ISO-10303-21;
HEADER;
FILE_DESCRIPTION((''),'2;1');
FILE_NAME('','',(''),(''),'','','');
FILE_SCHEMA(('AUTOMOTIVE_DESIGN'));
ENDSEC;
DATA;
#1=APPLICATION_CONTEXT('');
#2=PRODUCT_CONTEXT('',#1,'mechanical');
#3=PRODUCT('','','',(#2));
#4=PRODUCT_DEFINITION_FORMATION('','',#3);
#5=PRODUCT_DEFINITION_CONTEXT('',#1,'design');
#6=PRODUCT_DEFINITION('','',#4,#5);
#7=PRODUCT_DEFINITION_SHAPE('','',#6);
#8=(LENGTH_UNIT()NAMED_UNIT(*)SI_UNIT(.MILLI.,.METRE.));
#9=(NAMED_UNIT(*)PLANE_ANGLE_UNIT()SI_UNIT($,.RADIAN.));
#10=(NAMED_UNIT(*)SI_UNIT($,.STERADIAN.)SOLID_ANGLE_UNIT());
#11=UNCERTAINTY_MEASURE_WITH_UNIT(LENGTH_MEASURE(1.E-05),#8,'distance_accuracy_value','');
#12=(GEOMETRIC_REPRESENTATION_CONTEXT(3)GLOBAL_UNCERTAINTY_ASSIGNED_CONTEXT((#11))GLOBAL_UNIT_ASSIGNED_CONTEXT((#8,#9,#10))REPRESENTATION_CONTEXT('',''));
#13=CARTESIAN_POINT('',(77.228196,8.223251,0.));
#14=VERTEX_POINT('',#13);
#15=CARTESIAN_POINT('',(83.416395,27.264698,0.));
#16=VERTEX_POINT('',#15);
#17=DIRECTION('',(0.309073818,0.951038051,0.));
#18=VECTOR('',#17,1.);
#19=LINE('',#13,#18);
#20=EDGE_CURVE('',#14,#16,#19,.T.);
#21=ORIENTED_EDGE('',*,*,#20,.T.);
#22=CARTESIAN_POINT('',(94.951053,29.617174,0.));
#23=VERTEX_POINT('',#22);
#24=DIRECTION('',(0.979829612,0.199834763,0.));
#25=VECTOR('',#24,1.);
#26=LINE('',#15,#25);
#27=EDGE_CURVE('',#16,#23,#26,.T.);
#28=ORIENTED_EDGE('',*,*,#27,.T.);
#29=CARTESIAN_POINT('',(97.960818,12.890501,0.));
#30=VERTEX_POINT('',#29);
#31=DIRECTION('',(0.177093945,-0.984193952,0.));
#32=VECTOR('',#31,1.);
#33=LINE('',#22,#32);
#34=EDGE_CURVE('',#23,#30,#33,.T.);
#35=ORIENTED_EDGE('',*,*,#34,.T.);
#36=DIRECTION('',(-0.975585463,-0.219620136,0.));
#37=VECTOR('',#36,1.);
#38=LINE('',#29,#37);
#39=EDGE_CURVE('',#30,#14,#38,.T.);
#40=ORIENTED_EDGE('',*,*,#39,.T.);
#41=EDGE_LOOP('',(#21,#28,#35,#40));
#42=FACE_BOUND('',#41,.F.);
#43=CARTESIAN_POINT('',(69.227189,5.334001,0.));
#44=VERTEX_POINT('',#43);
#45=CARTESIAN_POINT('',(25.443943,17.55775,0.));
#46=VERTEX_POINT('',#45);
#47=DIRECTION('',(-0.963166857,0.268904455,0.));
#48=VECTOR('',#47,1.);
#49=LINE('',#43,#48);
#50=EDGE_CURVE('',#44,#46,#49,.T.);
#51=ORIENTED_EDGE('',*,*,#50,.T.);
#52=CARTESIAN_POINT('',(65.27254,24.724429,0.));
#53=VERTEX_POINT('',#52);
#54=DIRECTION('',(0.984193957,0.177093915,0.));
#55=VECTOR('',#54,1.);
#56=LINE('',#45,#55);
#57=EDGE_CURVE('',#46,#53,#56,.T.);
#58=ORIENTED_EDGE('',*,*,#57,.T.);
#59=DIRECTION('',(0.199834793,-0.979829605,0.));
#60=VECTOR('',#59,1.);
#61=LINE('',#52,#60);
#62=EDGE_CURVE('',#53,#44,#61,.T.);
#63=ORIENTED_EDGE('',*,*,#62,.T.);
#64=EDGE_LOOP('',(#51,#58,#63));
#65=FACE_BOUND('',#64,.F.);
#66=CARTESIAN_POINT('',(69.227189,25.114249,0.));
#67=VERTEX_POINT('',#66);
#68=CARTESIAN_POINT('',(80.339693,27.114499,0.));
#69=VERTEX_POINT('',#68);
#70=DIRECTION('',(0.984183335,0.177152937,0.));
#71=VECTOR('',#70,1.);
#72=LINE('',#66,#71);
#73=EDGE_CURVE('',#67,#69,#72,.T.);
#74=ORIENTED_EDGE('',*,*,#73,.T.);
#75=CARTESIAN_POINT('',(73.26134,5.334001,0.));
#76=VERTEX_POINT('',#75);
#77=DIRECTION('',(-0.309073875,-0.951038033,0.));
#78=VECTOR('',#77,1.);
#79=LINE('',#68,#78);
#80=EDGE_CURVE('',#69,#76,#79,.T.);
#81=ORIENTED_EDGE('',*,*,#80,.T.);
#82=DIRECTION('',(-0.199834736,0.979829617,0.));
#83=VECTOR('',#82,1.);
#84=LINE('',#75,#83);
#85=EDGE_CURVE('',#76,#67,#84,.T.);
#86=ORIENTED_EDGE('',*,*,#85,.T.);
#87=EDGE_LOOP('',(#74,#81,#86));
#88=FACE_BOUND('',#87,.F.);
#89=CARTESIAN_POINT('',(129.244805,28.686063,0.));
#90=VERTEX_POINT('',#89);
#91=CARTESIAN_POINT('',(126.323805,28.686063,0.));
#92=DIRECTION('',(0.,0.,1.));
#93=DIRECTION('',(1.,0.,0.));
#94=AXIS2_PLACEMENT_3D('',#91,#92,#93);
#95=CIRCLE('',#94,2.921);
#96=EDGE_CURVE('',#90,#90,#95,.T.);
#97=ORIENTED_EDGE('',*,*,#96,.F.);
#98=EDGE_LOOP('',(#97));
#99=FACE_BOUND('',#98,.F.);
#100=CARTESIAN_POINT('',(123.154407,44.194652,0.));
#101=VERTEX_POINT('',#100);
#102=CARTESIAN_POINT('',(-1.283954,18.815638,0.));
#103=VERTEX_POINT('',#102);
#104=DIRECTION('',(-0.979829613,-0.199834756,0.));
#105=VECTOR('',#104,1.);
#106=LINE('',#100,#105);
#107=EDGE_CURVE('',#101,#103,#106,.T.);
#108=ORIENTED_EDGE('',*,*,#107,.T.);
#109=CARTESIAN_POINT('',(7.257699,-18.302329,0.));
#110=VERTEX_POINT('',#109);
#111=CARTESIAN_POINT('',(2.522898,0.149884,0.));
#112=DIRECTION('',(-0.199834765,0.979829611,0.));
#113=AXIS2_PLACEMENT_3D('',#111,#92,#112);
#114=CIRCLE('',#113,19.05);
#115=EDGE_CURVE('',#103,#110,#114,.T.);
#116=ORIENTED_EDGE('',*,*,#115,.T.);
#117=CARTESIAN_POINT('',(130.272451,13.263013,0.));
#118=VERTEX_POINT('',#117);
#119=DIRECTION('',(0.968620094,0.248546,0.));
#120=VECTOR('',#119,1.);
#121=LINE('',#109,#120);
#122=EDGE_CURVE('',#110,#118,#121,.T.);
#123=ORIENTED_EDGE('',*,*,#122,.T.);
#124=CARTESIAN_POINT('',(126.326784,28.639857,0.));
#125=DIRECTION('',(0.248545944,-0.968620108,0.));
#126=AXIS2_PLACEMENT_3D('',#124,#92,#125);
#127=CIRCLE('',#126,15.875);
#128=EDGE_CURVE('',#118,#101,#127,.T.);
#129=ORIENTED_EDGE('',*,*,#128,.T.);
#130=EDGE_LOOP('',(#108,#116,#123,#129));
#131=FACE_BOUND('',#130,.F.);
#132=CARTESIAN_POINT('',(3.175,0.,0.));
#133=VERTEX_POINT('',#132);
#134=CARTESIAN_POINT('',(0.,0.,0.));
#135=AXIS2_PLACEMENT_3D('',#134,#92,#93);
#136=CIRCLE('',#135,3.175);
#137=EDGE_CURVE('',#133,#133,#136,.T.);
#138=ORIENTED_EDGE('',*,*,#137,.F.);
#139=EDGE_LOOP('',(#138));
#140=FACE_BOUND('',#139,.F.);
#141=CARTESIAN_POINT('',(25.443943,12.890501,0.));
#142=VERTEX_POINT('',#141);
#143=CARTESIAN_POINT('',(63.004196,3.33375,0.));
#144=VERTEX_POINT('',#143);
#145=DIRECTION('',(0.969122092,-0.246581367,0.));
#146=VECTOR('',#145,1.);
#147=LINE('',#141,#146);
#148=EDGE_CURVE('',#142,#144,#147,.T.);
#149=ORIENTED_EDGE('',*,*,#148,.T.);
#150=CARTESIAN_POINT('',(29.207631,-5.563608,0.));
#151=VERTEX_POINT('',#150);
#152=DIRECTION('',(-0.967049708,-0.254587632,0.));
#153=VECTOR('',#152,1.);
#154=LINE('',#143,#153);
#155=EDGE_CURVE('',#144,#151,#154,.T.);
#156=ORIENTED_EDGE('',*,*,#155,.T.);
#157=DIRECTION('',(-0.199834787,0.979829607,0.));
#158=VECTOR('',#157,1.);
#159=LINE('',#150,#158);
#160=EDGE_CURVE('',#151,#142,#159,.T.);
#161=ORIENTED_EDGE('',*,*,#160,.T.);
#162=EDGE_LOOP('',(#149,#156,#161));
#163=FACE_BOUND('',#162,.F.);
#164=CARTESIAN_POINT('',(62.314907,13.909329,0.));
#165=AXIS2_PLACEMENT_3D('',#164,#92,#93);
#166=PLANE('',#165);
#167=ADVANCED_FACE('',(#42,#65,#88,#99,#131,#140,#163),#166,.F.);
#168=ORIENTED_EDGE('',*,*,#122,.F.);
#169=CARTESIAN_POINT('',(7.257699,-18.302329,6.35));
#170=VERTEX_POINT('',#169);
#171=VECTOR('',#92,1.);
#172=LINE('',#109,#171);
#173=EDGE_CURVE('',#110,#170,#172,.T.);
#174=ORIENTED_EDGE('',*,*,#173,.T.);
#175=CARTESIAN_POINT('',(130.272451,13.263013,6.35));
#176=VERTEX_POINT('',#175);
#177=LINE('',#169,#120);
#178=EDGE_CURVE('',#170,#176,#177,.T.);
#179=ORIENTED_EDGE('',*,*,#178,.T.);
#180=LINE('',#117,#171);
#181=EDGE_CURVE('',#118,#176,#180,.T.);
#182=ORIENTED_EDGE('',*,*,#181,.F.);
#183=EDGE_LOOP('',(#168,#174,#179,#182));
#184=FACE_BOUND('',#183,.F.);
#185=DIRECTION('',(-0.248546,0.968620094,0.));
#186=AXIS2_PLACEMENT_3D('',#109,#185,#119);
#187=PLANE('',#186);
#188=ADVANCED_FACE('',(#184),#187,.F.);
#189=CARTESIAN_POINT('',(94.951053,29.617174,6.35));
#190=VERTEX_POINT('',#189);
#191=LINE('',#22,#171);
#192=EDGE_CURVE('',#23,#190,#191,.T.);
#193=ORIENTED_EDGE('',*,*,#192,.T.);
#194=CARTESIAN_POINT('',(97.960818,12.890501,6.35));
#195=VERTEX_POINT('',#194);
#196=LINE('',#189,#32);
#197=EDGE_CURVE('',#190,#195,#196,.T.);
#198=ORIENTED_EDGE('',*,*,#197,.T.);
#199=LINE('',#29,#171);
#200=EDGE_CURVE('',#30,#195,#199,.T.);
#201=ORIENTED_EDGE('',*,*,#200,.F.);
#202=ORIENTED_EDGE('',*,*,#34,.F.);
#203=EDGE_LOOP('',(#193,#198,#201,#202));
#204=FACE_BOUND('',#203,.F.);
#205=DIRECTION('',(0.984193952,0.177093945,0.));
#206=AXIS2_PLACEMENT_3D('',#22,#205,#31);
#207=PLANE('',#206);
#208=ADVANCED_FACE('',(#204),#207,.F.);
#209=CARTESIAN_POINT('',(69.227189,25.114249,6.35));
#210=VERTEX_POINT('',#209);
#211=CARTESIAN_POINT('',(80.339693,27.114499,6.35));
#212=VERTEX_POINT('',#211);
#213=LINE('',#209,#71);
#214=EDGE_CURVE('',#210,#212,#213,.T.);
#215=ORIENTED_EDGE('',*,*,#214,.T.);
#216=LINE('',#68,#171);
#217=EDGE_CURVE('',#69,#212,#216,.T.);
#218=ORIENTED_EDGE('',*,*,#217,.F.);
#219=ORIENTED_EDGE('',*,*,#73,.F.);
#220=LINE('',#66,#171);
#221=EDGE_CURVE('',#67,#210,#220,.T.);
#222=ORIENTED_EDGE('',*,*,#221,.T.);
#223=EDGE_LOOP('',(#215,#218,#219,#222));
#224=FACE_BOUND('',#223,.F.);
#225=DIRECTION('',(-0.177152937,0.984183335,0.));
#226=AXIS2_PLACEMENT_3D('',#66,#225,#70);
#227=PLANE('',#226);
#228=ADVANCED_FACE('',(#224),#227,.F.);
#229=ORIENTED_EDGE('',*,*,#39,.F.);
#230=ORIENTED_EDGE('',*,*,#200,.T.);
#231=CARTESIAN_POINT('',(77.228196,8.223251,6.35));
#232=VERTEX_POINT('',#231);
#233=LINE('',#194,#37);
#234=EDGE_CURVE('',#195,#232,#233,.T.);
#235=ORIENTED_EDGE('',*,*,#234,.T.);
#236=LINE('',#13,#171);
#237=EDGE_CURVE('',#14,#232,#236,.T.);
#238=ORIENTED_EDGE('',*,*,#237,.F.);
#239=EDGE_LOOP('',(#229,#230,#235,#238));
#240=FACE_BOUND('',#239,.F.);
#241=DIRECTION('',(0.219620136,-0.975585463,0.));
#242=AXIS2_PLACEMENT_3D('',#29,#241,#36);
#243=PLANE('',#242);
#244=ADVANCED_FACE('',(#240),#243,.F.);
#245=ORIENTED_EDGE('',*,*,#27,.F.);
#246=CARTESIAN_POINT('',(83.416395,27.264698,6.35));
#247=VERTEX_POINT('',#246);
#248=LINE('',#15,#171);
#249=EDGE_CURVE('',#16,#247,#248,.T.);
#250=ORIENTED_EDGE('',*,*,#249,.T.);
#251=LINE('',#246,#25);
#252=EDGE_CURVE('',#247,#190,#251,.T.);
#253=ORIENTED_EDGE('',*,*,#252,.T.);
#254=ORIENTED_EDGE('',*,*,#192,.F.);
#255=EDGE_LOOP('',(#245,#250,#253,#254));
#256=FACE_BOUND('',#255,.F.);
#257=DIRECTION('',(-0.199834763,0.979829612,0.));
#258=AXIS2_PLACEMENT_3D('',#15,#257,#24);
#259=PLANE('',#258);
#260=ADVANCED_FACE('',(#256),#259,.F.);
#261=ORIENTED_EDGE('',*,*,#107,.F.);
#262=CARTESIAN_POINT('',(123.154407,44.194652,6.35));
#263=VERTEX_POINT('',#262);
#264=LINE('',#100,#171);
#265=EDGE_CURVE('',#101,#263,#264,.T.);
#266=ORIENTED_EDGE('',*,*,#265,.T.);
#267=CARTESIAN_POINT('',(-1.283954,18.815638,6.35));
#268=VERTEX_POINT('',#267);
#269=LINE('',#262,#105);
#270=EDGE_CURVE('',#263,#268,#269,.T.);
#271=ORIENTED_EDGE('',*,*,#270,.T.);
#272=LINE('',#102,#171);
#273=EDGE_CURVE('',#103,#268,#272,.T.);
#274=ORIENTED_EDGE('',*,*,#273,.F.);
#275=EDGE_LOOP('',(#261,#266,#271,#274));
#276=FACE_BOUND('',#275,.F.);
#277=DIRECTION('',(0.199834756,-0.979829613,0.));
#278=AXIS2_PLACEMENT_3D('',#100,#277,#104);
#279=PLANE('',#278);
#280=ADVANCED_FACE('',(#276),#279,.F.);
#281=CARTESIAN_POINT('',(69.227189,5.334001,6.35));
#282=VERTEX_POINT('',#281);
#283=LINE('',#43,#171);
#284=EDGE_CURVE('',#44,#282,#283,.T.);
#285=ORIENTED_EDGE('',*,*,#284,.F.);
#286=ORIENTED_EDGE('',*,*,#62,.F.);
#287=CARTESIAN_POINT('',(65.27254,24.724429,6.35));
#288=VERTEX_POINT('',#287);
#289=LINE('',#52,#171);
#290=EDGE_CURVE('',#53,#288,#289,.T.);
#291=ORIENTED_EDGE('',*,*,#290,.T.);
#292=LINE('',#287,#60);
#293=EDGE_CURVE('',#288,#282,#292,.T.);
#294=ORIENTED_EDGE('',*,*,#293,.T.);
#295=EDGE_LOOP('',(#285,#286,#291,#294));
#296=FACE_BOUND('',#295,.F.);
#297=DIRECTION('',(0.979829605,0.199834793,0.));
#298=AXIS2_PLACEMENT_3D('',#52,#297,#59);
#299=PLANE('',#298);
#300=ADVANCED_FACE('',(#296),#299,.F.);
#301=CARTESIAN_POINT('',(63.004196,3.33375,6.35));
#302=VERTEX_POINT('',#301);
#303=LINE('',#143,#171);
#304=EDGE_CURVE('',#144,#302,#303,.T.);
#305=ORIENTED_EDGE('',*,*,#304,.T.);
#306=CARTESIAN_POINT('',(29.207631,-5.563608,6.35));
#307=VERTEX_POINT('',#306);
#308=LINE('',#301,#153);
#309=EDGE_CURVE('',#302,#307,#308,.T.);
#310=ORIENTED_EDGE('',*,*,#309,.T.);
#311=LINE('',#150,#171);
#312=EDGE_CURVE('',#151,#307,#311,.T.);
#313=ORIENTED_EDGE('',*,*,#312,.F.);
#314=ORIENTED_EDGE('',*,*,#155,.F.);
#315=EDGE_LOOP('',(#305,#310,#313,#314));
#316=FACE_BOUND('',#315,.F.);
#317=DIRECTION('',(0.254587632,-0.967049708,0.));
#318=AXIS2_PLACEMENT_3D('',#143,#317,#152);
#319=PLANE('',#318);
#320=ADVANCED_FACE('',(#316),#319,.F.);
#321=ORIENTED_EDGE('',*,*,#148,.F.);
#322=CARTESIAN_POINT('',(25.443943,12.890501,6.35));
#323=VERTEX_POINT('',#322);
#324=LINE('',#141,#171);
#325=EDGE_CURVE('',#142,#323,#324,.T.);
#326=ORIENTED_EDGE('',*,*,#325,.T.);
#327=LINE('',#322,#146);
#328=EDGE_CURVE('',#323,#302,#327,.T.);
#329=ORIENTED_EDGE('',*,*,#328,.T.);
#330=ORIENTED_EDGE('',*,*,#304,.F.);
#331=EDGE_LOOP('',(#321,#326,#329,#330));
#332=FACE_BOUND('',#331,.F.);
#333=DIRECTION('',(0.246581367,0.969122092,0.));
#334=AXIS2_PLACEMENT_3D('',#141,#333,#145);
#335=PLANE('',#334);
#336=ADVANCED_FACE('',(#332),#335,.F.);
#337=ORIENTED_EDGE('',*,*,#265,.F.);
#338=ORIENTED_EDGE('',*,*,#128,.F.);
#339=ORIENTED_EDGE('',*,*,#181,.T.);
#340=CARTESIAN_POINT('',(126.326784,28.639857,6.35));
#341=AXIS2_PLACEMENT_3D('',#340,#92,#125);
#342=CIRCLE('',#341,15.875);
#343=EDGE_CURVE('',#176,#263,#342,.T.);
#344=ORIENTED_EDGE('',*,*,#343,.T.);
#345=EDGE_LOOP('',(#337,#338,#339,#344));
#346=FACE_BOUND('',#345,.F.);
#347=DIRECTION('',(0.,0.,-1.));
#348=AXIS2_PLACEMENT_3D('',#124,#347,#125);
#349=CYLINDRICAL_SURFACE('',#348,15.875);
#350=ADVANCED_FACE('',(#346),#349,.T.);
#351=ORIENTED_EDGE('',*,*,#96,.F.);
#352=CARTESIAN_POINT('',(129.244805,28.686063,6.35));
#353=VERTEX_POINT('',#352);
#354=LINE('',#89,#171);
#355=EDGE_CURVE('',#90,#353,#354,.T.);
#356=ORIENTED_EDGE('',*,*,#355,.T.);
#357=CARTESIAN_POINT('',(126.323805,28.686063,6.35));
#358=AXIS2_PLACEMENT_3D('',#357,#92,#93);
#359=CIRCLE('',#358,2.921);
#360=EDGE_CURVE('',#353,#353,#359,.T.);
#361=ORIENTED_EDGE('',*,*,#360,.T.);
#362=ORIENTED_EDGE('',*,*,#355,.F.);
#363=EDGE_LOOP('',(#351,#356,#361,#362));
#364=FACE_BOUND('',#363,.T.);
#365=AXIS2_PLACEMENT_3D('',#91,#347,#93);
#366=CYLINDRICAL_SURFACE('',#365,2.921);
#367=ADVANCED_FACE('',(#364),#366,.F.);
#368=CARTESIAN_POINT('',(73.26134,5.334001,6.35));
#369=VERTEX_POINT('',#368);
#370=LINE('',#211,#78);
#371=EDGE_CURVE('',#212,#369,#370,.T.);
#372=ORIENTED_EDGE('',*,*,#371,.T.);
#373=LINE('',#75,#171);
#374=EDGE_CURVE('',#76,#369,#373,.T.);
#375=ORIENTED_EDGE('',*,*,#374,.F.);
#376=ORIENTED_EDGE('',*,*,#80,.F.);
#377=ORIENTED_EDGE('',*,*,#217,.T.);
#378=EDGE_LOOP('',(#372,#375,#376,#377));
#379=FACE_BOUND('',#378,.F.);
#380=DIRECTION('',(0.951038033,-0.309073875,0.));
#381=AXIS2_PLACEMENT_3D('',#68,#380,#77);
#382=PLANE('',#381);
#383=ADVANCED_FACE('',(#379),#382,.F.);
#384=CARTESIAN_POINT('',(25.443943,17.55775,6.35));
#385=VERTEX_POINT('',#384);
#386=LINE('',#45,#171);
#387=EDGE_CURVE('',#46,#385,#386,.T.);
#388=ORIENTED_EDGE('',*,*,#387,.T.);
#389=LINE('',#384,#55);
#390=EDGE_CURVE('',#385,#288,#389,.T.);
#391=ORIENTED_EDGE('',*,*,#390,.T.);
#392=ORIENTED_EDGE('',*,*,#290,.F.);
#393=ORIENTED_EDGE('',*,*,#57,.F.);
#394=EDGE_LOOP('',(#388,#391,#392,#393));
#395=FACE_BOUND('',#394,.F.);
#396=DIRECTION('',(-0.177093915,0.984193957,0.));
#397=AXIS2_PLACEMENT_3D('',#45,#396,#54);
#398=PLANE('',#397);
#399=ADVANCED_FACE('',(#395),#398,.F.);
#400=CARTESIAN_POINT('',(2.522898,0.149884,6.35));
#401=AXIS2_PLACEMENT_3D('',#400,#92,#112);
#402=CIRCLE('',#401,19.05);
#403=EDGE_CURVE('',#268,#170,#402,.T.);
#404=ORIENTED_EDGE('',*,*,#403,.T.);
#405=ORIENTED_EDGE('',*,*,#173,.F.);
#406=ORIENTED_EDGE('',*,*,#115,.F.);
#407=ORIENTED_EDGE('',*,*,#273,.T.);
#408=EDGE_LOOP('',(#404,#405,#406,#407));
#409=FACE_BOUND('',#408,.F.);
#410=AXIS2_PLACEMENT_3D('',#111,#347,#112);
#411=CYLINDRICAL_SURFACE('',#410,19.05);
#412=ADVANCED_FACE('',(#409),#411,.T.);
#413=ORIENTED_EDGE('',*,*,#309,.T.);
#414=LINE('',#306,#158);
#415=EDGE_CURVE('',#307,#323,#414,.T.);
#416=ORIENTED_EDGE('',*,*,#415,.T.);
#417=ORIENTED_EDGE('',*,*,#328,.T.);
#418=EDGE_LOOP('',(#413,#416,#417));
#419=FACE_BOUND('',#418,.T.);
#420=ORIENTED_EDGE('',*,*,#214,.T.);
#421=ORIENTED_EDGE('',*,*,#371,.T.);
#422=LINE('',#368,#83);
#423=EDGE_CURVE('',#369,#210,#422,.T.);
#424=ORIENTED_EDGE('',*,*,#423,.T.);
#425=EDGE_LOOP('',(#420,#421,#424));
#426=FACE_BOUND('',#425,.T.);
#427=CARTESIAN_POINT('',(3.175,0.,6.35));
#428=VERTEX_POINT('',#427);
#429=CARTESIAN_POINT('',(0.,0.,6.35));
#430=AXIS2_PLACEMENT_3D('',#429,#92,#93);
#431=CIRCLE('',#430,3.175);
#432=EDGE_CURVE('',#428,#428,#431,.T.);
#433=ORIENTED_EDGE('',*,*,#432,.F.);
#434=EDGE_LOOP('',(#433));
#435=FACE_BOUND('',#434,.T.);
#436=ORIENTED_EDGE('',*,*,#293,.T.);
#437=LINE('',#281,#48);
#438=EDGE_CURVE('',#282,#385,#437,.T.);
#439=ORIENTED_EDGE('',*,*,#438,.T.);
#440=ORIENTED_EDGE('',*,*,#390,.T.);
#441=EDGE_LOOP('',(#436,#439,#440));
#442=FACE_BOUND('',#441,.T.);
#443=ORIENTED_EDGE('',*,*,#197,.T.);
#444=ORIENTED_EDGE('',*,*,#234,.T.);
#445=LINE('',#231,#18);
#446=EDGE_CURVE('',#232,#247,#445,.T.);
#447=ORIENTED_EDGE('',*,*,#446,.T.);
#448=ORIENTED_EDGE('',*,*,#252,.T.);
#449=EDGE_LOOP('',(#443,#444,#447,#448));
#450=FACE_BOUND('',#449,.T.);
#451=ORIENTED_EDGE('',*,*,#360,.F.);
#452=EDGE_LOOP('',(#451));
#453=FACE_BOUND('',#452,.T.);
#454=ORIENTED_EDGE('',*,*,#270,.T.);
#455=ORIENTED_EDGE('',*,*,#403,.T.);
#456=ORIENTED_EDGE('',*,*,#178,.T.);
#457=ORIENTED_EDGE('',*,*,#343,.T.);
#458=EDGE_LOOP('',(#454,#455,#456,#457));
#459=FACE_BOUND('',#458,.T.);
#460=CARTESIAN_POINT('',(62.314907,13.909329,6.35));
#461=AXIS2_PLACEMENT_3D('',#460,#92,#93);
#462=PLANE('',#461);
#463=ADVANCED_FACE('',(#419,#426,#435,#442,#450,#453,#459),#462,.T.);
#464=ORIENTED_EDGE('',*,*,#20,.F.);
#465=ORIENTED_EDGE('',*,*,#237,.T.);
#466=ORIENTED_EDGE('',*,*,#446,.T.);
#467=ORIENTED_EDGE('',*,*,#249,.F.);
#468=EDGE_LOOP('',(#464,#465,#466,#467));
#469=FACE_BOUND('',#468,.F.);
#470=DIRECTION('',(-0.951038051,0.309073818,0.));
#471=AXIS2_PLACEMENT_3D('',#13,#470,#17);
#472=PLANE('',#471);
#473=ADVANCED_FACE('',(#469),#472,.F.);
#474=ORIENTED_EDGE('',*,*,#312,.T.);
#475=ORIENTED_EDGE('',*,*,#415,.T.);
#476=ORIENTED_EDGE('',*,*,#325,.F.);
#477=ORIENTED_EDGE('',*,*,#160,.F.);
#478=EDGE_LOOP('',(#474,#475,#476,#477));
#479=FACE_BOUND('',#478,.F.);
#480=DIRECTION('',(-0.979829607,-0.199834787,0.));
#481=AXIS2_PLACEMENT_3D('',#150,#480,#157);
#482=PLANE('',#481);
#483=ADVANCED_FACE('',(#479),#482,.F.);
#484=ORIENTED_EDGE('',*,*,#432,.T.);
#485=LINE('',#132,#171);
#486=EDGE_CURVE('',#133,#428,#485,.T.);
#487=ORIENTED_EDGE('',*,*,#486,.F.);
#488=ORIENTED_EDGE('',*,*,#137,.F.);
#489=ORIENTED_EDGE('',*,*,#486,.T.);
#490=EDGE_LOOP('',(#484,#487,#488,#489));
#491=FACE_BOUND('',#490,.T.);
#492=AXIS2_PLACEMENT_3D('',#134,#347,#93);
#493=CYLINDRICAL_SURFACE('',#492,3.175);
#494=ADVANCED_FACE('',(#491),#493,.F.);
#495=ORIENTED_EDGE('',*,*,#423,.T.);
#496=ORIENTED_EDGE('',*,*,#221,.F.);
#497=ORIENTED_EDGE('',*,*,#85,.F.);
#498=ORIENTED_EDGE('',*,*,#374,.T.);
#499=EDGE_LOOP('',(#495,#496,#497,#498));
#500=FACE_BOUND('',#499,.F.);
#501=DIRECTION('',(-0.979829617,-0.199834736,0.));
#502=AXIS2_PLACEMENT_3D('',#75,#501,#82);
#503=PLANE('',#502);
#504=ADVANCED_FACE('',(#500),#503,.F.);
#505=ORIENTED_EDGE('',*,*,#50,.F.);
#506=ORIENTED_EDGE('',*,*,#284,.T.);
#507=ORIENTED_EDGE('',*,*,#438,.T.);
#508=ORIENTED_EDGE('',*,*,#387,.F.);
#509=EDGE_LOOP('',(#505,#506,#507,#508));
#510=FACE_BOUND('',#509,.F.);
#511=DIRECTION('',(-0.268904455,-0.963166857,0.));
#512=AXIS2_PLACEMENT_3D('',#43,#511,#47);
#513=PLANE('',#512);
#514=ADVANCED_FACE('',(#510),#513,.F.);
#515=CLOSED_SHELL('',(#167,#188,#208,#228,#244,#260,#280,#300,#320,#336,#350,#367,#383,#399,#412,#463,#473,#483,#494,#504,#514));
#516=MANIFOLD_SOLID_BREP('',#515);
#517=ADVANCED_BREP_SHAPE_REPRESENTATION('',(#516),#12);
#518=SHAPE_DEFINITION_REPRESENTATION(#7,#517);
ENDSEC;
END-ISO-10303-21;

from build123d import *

# Parameters (mm, degrees)
F0_R     = 3.175
F0_R_2   = 2.921
F1_DEPTH = 6.35


with BuildPart() as f1:
    # F0 (on Top) → F1 (new body)
    with BuildSketch(Plane.XY):
        with BuildLine():
            ThreePointArc((-1.283954, 18.815638), (-16.041884, -4.122277), (7.257699, -18.302329))
            Line((7.257699, -18.302329), (130.272451, 13.263013))
            ThreePointArc((130.272451, 13.263013), (141.797436, 32.199991), (123.154407, 44.194652))
            Line((123.154407, 44.194652), (-1.283954, 18.815638))
        make_face()
        Circle(F0_R, mode=Mode.SUBTRACT)
        Polygon((29.207631, -5.563608), (25.443943, 12.890501), (63.004196, 3.33375), align=None, mode=Mode.SUBTRACT)
        Polygon((69.227189, 5.334001), (25.443943, 17.55775), (65.27254, 24.724429), align=None, mode=Mode.SUBTRACT)
        Polygon((73.26134, 5.334001), (69.227189, 25.114249), (80.339693, 27.114499), align=None, mode=Mode.SUBTRACT)
        Polygon((97.960818, 12.890501), (77.228196, 8.223251), (83.416395, 27.264698), (94.951053, 29.617174), align=None, mode=Mode.SUBTRACT)
        with Locations((126.323805, 28.686063)):
            Circle(F0_R_2, mode=Mode.SUBTRACT)
    extrude(amount=F1_DEPTH)


solid = f1.part
